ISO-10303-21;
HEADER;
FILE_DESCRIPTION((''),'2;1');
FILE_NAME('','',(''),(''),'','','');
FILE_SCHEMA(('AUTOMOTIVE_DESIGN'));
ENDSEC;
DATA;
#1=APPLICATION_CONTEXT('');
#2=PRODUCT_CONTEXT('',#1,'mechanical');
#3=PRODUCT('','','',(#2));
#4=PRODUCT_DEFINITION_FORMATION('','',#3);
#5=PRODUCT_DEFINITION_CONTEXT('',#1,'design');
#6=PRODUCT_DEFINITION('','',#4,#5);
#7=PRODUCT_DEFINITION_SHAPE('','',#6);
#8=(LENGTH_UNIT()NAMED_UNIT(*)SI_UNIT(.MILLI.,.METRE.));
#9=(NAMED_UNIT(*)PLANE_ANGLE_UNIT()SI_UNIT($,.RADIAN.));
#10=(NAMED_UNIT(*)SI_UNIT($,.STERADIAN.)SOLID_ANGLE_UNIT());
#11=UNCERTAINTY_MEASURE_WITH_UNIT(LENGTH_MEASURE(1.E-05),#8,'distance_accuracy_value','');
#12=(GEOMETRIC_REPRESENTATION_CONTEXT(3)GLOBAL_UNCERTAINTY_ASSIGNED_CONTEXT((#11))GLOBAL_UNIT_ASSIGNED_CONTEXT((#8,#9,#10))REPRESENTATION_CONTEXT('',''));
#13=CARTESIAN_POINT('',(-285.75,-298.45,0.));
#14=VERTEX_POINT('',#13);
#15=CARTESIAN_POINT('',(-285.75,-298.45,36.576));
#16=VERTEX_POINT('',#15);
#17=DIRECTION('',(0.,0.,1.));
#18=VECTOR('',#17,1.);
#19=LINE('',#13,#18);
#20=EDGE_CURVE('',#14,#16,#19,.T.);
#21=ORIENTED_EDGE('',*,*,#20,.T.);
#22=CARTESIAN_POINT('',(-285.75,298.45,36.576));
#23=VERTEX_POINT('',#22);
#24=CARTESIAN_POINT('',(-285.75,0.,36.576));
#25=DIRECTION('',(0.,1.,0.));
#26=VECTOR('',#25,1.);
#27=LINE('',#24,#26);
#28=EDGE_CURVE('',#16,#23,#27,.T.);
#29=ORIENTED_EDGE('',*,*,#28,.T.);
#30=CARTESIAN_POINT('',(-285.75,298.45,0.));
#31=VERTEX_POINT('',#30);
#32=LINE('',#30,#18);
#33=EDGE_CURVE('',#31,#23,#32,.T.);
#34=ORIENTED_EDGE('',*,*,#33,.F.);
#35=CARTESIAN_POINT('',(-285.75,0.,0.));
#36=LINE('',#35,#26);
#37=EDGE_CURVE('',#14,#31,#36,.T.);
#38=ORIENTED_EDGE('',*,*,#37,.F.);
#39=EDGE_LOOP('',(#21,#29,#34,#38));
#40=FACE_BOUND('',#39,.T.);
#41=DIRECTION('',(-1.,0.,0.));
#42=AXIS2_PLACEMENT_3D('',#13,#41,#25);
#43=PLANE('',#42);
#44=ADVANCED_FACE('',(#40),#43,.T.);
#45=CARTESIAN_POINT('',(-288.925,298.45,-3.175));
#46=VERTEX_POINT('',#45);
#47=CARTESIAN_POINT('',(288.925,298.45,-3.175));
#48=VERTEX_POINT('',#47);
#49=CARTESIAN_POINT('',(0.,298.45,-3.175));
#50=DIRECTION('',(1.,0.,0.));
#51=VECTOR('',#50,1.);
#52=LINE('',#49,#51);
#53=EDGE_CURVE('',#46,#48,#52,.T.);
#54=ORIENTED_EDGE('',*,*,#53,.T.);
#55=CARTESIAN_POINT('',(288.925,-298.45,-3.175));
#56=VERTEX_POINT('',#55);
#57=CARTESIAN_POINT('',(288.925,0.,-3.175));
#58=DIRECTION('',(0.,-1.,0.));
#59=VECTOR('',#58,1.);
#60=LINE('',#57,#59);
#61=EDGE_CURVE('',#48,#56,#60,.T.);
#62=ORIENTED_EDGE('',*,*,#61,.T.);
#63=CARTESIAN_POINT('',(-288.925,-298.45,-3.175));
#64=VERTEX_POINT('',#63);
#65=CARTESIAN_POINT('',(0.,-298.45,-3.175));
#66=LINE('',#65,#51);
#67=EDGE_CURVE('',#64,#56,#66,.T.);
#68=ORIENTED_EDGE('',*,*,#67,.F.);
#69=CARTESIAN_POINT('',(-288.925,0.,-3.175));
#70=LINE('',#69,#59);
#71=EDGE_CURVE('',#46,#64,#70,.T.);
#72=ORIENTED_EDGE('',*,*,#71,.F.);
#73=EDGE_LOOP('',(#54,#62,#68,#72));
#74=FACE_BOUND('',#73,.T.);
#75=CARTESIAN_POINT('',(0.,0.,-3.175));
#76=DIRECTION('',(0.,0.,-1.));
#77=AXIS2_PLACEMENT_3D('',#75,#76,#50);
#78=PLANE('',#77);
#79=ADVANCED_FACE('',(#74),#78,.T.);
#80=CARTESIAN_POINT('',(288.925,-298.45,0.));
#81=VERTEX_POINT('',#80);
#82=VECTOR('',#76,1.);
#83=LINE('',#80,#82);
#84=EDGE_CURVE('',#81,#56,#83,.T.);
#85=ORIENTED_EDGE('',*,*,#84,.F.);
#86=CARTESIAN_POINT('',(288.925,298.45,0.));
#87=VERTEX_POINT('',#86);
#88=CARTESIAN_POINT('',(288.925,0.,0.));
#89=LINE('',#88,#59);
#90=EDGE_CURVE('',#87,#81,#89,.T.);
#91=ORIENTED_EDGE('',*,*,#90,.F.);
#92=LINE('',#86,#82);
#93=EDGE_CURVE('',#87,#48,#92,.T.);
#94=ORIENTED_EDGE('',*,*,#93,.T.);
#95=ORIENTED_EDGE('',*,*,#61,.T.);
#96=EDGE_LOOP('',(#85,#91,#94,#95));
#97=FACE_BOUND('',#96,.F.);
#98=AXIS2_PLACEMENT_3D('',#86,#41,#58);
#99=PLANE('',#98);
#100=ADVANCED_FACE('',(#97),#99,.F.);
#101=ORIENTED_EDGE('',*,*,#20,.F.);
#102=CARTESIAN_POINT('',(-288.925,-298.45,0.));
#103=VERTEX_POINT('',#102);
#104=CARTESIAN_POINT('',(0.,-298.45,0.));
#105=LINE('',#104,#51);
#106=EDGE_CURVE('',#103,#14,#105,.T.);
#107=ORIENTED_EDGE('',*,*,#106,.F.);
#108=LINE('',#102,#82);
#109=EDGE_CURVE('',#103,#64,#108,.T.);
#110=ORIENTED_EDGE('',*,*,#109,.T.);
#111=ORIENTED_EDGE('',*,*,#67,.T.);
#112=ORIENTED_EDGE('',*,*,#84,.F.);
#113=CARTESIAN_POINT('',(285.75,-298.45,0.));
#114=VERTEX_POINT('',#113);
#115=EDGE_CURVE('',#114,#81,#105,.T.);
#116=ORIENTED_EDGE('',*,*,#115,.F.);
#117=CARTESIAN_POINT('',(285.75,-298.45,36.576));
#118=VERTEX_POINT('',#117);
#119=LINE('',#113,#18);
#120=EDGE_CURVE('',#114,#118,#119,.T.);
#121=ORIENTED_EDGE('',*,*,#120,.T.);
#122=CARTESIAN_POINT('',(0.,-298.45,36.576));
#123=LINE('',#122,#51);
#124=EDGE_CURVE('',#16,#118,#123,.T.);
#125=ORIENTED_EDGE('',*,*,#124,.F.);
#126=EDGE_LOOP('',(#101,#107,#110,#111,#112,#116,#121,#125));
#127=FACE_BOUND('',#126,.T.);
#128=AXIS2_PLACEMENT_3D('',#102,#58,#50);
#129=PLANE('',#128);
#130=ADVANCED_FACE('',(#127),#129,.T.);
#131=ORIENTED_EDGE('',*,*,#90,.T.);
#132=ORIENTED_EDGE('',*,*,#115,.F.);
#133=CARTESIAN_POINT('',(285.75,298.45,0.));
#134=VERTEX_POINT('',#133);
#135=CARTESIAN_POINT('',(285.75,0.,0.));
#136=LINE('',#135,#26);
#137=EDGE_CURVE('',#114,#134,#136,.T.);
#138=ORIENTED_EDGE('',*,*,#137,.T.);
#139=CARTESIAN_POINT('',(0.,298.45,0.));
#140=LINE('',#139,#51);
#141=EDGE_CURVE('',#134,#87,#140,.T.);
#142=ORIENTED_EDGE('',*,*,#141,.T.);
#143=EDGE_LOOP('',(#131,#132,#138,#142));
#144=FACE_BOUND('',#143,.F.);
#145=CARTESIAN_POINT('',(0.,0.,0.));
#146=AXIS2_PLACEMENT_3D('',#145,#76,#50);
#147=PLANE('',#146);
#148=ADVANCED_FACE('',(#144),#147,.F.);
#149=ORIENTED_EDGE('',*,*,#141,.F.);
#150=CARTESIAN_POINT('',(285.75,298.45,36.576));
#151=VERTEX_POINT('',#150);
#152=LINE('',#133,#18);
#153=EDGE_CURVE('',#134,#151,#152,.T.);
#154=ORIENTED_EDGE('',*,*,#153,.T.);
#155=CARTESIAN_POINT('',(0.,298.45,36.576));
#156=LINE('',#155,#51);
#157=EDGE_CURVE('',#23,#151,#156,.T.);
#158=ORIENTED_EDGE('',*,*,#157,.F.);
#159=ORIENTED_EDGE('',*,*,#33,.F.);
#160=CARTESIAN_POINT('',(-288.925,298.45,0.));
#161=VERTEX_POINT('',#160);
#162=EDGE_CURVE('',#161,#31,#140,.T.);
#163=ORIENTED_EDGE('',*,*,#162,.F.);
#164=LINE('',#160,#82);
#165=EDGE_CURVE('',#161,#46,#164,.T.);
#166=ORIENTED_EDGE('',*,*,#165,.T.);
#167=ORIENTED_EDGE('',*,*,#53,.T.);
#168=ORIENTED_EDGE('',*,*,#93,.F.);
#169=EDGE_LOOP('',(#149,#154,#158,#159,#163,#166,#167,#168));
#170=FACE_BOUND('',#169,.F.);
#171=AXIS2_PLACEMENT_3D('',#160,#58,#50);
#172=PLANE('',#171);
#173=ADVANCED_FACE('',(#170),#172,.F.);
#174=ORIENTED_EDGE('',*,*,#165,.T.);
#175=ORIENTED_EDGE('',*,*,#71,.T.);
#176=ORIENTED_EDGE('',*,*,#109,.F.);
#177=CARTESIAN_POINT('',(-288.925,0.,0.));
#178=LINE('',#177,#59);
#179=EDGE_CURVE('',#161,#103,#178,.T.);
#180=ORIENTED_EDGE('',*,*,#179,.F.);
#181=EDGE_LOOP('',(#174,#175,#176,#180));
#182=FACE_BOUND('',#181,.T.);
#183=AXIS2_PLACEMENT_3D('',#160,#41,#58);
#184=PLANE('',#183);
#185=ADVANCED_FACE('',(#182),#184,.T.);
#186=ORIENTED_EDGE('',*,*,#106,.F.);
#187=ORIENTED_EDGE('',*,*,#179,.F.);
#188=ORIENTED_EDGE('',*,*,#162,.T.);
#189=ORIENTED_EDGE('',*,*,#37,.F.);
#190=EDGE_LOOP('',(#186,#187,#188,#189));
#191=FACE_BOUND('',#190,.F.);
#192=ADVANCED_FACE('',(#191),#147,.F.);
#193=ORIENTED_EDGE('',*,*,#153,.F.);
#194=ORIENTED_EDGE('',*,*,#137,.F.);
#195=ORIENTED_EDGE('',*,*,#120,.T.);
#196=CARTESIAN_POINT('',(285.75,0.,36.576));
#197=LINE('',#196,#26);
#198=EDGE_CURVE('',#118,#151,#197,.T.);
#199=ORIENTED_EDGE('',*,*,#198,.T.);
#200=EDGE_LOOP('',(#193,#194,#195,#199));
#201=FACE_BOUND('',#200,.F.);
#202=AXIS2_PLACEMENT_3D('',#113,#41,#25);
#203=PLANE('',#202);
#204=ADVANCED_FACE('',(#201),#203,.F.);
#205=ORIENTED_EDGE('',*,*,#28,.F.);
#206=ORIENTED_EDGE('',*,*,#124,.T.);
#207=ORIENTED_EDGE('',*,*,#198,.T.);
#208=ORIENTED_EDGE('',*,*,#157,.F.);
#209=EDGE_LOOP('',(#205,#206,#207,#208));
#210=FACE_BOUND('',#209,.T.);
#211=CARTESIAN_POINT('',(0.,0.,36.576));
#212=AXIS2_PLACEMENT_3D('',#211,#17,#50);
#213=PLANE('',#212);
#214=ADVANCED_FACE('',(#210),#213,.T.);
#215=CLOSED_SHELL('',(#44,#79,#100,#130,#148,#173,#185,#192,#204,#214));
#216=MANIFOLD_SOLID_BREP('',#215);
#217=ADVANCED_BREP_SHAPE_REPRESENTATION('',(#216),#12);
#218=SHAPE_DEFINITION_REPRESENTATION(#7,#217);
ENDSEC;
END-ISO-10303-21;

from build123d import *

# Parameters (mm, degrees)
F0_W     = 571.5
F0_H     = 596.9
F1_DEPTH = 36.576
F2_W     = 577.85
F2_H     = 596.9
F3_DEPTH = 3.175


with BuildPart() as f1:
    # F0 (on Top) → F1 (new body)
    with BuildSketch(Plane.XY):
        Rectangle(F0_W, F0_H)
    extrude(amount=F1_DEPTH)

    # F2 (on face) → F3 (join)
    with BuildSketch(Plane(origin=(0, 0, 0), x_dir=(1, 0, 0), z_dir=(0, 0, -1))):
        Rectangle(F2_W, F2_H)
    extrude(amount=F3_DEPTH)


solid = f1.part
